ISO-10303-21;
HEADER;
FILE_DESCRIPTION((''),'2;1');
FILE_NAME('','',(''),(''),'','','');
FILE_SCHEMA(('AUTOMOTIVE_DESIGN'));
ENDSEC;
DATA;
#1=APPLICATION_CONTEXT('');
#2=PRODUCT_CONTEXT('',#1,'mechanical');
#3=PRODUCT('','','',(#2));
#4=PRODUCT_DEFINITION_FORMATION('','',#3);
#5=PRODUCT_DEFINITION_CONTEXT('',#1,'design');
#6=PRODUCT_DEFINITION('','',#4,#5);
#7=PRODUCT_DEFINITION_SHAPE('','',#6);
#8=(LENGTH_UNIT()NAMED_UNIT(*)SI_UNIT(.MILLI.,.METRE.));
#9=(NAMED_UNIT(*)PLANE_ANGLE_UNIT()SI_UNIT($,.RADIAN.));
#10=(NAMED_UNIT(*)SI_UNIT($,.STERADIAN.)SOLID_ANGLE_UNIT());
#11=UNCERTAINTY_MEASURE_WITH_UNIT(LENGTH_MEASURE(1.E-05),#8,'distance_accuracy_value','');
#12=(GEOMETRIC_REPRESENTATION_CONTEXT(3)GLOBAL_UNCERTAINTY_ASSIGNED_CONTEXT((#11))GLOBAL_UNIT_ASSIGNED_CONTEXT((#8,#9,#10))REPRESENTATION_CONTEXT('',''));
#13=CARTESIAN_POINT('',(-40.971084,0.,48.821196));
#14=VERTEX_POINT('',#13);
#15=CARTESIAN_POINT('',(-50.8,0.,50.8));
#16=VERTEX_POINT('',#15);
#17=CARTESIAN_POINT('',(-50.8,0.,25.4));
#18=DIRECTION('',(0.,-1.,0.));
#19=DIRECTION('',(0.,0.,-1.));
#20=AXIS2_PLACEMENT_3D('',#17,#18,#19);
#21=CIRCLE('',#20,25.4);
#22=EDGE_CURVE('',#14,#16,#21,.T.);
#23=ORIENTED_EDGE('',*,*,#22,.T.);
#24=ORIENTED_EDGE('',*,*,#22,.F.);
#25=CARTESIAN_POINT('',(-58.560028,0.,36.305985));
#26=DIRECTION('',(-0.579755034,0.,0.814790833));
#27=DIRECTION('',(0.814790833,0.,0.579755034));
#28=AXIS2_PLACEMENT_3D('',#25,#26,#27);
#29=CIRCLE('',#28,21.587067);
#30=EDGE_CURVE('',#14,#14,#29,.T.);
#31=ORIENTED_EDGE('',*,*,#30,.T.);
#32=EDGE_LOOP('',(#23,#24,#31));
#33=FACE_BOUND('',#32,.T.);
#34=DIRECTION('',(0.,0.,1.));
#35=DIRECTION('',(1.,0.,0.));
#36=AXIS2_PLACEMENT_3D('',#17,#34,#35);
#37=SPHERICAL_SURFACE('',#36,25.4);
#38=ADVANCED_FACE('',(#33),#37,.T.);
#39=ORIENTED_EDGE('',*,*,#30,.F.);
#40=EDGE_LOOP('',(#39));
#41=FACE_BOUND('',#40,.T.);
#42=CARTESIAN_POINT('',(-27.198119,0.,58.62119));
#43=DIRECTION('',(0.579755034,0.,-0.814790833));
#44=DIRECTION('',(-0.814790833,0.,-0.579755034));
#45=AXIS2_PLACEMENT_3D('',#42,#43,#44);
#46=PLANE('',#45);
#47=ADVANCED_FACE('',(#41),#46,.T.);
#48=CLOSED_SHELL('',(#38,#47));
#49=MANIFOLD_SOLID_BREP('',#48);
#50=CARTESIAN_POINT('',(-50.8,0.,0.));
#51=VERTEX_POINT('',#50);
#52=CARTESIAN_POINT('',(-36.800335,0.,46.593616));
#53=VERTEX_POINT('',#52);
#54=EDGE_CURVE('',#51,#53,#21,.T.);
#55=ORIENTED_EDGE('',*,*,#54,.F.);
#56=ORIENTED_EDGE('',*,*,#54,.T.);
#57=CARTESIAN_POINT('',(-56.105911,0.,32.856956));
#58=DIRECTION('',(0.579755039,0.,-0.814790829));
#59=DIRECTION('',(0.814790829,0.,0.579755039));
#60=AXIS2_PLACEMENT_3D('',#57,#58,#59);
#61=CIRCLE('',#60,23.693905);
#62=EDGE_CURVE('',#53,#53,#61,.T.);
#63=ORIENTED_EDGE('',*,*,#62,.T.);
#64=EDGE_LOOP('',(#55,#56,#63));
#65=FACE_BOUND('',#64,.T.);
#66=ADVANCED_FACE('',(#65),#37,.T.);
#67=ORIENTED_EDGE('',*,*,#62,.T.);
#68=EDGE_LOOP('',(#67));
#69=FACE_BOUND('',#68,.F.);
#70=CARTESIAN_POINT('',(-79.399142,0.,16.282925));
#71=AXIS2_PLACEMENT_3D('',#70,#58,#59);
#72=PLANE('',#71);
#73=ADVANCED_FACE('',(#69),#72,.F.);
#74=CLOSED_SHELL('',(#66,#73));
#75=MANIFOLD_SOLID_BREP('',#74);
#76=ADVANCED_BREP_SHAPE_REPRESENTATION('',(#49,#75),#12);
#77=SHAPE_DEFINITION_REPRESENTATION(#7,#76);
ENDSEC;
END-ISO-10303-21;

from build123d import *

# Parameters (mm, degrees)
F3_DEPTH      = 25.4
F3_DEPTH_BACK = 25.4


with BuildPart() as f1:
    # F0 (on Front) → F1 (revolve)
    with BuildSketch(Plane.XZ):
        with BuildLine():
            Line((-50.8, 50.8), (-50.8, 0))
            ThreePointArc((-50.8, 0), (-25.4, 25.4), (-50.8, 50.8))
        make_face()
    revolve(axis=Axis((-50.8, 0, 25.4), (0, 0, 1)))

    # F2 (on Front) → F3 (cut, two sides)
    with BuildSketch(Plane.XZ) as f3_sk:
        Polygon((-27.198119, 58.62119), (-82.122475, 19.540397), (-79.399142, 16.282925), (-24.744002, 55.172161), align=None)
    extrude(amount=F3_DEPTH, mode=Mode.SUBTRACT)
    extrude(f3_sk.sketch, amount=-F3_DEPTH_BACK, mode=Mode.SUBTRACT)


solid = f1.part
